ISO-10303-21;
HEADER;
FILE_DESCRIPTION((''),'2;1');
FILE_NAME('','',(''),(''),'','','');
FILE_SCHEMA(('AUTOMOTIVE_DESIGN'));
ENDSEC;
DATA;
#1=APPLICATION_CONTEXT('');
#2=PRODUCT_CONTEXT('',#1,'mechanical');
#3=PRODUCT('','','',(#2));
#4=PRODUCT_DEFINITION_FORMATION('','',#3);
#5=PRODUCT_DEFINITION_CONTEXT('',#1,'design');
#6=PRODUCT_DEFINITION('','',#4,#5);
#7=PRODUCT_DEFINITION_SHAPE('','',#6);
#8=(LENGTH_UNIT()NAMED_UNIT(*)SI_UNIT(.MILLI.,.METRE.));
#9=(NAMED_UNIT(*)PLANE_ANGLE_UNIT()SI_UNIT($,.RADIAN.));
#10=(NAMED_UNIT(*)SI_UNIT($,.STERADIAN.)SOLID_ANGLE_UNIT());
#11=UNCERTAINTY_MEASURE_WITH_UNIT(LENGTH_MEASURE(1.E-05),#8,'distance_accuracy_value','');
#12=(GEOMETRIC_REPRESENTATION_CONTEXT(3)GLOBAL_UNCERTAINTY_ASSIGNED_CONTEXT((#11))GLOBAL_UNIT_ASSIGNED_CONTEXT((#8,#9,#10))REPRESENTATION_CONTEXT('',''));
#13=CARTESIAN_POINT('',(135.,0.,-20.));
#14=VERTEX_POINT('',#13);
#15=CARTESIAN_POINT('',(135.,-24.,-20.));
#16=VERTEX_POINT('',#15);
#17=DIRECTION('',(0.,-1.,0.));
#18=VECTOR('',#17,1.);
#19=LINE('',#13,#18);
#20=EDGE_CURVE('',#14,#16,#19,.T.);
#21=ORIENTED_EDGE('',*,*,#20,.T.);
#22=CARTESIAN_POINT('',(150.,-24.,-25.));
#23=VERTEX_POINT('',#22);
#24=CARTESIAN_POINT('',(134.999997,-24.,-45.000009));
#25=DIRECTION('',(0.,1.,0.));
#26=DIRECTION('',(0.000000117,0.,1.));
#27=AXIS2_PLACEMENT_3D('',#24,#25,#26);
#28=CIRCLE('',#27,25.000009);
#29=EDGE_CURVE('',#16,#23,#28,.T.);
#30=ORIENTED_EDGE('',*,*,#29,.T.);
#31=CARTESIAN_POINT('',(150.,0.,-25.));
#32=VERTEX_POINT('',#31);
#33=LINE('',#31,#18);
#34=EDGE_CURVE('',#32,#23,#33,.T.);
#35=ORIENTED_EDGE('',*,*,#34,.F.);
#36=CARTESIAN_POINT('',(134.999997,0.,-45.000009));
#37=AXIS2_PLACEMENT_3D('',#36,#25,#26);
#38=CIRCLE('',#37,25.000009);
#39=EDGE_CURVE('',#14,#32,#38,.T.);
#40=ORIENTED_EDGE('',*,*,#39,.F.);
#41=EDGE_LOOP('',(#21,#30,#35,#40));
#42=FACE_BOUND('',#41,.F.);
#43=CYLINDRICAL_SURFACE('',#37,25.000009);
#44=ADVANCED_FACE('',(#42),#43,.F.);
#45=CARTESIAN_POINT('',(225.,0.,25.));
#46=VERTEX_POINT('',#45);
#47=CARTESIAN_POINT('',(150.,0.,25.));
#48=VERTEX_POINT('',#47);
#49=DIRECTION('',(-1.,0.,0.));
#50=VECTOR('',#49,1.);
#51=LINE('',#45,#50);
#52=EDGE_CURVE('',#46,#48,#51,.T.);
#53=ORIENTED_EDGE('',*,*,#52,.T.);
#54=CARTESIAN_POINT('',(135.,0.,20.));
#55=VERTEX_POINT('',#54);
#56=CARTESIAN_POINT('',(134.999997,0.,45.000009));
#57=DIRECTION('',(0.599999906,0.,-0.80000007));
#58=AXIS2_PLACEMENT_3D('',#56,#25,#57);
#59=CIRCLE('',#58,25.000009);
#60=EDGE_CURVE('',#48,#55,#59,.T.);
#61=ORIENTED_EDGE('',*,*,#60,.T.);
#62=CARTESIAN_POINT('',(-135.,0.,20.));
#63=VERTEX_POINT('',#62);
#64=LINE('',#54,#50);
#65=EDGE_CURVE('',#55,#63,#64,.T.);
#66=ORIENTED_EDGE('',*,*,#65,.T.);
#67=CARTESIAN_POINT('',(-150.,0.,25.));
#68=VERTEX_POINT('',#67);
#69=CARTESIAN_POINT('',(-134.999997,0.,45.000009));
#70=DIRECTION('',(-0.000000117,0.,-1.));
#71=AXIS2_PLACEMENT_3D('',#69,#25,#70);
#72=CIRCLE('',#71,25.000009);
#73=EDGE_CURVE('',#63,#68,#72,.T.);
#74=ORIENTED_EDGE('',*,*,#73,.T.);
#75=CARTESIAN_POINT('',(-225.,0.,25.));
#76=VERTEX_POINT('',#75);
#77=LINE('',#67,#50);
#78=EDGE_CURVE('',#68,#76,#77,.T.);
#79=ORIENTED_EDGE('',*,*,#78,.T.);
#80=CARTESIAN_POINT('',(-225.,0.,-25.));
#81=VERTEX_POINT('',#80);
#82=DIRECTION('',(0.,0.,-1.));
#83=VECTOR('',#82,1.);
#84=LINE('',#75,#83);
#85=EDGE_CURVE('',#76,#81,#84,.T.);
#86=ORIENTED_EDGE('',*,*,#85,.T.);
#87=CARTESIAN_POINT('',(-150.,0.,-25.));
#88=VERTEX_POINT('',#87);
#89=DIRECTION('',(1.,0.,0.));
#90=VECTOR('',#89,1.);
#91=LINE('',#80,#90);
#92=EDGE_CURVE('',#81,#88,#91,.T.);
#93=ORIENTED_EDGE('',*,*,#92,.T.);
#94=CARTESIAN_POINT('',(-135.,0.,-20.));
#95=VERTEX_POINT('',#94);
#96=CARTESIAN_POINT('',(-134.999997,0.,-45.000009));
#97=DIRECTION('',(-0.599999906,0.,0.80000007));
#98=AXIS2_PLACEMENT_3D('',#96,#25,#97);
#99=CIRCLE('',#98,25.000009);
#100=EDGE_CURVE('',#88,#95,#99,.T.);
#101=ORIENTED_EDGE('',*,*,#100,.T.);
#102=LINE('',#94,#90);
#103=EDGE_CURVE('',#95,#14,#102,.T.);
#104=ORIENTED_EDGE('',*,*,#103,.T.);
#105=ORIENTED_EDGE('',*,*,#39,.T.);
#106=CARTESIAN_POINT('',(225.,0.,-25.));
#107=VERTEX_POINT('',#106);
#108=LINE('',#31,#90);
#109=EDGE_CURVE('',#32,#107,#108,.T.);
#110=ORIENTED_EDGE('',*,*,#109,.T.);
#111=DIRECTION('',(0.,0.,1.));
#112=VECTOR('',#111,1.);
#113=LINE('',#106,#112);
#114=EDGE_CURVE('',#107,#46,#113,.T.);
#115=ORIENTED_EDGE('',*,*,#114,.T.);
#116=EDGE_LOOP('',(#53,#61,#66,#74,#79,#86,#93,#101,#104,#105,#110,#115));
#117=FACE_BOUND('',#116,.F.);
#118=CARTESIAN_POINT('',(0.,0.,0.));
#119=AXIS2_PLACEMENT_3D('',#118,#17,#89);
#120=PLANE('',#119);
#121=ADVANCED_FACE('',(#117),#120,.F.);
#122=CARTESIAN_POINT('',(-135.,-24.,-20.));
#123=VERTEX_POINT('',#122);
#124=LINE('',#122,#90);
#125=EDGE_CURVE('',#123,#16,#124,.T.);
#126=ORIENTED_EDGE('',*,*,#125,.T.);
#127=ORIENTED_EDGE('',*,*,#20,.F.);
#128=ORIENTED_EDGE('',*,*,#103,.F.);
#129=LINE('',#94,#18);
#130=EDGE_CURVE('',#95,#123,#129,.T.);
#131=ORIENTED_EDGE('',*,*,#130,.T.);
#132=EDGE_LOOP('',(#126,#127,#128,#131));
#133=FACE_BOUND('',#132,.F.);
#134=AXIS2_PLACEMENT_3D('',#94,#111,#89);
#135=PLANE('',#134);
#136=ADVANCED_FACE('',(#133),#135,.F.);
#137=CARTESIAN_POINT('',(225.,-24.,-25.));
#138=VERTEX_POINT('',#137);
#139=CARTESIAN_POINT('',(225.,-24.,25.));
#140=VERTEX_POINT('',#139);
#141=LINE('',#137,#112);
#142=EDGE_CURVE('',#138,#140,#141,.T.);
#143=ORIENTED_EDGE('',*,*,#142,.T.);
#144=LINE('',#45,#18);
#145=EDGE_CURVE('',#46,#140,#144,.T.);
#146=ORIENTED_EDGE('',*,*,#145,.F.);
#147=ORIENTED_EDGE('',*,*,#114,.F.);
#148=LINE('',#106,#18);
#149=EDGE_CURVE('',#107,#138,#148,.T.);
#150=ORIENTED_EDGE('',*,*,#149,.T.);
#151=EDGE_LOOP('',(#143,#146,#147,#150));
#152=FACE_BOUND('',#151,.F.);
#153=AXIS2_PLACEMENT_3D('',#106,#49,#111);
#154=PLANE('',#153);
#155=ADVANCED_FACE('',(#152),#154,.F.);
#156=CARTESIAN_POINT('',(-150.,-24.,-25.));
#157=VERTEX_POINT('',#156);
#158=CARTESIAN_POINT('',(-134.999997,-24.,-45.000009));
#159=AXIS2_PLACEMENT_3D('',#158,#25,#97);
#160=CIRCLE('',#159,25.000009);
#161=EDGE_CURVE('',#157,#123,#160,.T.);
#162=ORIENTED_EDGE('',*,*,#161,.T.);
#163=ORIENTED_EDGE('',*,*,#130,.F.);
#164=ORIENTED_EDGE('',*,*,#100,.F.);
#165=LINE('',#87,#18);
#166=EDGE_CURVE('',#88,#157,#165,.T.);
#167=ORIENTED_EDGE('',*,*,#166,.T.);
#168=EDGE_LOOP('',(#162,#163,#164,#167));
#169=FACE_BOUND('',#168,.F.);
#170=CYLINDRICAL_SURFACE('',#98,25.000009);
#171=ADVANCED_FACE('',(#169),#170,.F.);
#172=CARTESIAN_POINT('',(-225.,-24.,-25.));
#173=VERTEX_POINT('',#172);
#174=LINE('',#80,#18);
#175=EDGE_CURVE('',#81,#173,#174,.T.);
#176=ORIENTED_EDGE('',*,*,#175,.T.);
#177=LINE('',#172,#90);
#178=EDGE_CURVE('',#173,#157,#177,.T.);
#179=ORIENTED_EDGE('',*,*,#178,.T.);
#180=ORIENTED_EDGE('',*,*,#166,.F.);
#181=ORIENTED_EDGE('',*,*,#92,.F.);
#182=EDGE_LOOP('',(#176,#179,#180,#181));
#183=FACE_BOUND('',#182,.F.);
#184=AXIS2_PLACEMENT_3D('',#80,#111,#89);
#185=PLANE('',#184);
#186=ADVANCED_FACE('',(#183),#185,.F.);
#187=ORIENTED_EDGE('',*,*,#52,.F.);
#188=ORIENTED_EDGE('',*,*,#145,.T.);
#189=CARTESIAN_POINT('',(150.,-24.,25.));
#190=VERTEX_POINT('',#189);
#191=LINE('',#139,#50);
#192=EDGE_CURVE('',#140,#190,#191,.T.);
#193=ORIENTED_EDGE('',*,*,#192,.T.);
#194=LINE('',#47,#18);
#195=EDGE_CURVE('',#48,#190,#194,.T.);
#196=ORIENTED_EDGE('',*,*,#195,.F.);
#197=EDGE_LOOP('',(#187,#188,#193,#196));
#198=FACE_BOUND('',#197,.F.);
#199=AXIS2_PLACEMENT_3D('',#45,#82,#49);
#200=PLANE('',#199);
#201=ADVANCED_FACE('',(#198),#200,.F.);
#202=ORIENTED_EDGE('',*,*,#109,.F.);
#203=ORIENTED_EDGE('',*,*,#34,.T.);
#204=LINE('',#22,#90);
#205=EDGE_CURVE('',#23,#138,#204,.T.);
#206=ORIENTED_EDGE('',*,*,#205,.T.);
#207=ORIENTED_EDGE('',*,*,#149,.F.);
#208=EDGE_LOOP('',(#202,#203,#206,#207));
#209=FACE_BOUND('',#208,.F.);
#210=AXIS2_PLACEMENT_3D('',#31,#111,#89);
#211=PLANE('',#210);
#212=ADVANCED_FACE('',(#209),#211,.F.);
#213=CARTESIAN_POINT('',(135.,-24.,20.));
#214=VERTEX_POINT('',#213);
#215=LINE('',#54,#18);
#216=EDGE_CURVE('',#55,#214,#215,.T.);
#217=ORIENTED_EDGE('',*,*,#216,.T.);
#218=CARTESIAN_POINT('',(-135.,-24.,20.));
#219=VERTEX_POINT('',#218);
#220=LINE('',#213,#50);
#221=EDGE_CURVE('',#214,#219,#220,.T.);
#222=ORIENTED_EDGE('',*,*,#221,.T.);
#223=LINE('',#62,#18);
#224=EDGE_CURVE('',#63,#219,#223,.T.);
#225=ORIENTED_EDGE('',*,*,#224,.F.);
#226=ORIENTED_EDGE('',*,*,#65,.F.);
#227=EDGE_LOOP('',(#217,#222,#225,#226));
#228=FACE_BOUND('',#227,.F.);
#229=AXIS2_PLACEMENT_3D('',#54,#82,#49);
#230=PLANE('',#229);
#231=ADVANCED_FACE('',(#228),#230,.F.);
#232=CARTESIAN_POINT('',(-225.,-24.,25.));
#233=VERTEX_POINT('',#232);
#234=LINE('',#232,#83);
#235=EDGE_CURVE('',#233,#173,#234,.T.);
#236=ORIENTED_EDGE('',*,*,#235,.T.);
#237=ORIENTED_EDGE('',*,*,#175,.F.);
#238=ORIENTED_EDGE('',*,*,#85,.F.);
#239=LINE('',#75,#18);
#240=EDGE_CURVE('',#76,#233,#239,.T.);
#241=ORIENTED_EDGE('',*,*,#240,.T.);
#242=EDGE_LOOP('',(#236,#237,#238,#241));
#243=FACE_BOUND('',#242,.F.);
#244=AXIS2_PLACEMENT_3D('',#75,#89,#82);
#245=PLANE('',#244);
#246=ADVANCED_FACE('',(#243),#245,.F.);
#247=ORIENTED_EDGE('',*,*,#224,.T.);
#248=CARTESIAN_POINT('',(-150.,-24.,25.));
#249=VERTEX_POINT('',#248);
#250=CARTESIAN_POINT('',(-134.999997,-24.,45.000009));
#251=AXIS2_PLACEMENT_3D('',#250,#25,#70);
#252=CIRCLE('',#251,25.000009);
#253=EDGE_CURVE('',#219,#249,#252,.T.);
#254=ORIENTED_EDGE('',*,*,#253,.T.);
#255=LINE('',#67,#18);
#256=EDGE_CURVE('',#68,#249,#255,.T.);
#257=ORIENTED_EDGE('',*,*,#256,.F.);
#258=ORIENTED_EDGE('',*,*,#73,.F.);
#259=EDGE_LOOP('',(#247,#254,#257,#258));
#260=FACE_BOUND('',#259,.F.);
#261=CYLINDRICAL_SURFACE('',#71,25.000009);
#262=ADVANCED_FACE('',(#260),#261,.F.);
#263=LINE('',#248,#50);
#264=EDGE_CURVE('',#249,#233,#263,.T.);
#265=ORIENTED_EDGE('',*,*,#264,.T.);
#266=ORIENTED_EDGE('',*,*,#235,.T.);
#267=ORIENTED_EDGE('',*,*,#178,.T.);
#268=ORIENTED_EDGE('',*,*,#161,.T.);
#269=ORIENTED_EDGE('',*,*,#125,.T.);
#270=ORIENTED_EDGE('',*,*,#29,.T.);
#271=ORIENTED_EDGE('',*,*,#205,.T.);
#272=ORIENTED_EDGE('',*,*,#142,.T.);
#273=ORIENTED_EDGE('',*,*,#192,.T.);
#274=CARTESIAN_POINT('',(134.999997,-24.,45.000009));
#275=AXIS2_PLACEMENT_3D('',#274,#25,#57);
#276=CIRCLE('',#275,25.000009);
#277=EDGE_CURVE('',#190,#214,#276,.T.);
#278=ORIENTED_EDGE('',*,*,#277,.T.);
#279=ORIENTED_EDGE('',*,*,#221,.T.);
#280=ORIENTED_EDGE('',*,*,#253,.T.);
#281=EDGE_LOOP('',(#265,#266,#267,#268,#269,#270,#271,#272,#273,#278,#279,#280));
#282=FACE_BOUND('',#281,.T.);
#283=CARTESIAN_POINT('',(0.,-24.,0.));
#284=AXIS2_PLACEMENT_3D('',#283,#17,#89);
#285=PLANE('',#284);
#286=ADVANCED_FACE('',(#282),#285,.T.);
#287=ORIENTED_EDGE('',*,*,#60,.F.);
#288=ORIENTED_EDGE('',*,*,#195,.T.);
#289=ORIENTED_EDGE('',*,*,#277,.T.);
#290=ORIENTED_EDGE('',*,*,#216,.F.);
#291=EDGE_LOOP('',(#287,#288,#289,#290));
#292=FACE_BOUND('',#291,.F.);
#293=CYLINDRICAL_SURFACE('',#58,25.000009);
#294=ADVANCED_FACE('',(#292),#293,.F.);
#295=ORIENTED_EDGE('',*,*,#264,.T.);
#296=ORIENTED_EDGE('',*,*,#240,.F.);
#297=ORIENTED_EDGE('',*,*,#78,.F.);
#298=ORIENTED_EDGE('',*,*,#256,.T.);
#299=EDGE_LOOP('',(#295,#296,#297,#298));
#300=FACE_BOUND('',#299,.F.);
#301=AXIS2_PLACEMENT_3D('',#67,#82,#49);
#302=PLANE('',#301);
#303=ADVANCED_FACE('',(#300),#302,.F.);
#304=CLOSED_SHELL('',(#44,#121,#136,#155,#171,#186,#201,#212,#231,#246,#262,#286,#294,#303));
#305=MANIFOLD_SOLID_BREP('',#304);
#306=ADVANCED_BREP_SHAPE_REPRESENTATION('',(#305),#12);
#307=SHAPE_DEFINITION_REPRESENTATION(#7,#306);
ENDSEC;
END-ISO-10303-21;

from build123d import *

# Parameters (mm, degrees)
F1_DEPTH = 24


with BuildPart() as f1:
    # F0 (on Front) → F1 (new body)
    with BuildSketch(Plane.XZ):
        with BuildLine():
            Line((135, 20), (0, 20))
            Line((0, 20), (-135, 20))
            ThreePointArc((-135, 20), (-142.905694, 21.282918), (-150, 25))
            Line((-150, 25), (-225, 25))
            Line((-225, 25), (-225, 0))
            Line((-225, 0), (-225, -25))
            Line((-225, -25), (-150, -25))
            ThreePointArc((-150, -25), (-142.905694, -21.282918), (-135, -20))
            Line((-135, -20), (0, -20))
            Line((0, -20), (135, -20))
            ThreePointArc((135, -20), (142.905694, -21.282918), (150, -25))
            Line((150, -25), (225, -25))
            Line((225, -25), (225, 0))
            Line((225, 0), (225, 25))
            Line((225, 25), (150, 25))
            ThreePointArc((150, 25), (142.905694, 21.282918), (135, 20))
        make_face()
    extrude(amount=F1_DEPTH)


solid = f1.part
